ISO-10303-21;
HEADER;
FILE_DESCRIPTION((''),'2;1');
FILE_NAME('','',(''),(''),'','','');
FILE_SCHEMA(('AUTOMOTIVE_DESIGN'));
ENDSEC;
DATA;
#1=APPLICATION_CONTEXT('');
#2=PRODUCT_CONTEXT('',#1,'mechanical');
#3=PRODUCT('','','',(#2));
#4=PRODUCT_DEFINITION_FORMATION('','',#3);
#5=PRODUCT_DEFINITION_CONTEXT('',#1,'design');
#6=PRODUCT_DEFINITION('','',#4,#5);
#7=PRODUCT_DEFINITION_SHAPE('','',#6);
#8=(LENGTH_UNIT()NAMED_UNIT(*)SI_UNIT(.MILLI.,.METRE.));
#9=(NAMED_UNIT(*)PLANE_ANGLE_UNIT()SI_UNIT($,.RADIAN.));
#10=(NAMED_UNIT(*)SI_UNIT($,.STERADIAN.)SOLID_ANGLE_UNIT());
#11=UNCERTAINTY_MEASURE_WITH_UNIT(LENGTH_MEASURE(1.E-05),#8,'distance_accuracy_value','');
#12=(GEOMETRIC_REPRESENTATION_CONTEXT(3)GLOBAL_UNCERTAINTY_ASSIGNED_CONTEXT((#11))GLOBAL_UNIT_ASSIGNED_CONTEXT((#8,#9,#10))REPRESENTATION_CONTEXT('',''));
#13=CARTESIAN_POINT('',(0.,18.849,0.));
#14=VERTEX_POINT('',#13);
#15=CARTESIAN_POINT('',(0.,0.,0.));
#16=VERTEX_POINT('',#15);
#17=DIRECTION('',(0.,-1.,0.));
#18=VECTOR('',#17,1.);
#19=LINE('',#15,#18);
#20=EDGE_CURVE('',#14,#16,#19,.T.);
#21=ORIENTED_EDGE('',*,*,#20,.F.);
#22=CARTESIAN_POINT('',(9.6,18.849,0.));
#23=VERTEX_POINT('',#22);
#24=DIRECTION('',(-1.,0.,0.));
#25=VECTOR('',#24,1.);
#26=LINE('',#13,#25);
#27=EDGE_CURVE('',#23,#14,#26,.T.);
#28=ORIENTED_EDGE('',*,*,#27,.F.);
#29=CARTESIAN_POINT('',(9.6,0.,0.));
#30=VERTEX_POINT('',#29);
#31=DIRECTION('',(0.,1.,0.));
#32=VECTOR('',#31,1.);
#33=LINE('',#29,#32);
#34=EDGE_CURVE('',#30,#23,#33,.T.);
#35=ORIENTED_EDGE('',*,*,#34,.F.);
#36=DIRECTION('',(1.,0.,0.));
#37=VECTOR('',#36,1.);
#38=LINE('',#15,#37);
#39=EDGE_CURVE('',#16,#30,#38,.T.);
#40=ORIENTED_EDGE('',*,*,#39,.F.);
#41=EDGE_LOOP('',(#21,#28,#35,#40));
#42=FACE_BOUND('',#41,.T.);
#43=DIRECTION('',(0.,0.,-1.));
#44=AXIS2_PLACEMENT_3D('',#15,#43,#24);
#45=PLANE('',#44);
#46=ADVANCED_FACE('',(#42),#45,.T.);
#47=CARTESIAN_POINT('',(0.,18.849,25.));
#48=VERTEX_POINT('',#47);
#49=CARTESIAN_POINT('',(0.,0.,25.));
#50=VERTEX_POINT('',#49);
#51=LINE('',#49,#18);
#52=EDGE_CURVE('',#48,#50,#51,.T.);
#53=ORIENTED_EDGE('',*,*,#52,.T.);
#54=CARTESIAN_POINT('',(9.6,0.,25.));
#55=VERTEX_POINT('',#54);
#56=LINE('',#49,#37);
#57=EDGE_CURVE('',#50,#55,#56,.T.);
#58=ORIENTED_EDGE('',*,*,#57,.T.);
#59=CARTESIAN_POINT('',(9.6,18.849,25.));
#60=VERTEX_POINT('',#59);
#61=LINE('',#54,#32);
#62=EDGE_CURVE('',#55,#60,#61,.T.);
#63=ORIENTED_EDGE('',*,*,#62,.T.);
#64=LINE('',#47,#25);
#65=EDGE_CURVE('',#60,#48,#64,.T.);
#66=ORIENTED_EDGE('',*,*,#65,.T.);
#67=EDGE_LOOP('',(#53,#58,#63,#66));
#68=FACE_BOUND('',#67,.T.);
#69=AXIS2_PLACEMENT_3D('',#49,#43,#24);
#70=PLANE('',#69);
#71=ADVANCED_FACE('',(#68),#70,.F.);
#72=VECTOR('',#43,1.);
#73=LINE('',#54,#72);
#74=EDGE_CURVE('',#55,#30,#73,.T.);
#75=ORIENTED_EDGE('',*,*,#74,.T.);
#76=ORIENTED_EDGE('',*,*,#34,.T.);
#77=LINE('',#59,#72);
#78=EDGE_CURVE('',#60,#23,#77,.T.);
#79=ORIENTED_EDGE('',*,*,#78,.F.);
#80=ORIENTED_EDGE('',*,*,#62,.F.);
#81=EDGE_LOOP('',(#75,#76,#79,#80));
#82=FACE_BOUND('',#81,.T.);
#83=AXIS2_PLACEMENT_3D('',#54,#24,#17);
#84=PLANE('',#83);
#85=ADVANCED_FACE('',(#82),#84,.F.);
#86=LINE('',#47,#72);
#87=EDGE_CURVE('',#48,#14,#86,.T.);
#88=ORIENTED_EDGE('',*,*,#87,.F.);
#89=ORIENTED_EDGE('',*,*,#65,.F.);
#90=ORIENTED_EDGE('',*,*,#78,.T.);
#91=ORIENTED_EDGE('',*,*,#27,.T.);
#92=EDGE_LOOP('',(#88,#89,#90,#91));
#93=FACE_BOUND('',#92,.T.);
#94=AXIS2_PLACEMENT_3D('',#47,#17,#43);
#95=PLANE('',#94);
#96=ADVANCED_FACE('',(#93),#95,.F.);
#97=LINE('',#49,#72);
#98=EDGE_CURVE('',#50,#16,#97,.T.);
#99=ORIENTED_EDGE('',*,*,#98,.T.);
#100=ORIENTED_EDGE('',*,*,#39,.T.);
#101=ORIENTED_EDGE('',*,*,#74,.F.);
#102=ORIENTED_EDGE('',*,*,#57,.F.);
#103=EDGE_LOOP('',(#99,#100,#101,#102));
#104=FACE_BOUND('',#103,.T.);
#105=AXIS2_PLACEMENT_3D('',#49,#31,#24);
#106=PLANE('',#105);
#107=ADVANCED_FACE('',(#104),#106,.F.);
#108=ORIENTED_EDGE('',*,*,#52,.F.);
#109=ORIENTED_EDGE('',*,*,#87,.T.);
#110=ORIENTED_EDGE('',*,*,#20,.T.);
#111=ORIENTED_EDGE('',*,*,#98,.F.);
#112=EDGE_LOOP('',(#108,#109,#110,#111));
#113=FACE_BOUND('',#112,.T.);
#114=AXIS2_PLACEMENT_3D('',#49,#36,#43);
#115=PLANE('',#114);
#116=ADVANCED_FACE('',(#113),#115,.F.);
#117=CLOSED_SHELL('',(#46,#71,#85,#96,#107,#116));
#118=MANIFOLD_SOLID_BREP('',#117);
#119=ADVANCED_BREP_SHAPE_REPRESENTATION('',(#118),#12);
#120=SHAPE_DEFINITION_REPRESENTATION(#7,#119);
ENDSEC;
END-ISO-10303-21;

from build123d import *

# Parameters (mm, degrees)
SCHIZZO1_W                   = 9.6
SCHIZZO1_H                   = 18.849
ESTRUSIONE_ESTRUSIONE1_DEPTH = 25


with BuildPart() as part:
    # Schizzo1 → Estrusione-Estrusione1 (new body)
    with BuildSketch(Plane.XY):
        with Locations((4.8, 9.4245)):
            Rectangle(SCHIZZO1_W, SCHIZZO1_H)
    extrude(amount=ESTRUSIONE_ESTRUSIONE1_DEPTH)


solid = part.part
